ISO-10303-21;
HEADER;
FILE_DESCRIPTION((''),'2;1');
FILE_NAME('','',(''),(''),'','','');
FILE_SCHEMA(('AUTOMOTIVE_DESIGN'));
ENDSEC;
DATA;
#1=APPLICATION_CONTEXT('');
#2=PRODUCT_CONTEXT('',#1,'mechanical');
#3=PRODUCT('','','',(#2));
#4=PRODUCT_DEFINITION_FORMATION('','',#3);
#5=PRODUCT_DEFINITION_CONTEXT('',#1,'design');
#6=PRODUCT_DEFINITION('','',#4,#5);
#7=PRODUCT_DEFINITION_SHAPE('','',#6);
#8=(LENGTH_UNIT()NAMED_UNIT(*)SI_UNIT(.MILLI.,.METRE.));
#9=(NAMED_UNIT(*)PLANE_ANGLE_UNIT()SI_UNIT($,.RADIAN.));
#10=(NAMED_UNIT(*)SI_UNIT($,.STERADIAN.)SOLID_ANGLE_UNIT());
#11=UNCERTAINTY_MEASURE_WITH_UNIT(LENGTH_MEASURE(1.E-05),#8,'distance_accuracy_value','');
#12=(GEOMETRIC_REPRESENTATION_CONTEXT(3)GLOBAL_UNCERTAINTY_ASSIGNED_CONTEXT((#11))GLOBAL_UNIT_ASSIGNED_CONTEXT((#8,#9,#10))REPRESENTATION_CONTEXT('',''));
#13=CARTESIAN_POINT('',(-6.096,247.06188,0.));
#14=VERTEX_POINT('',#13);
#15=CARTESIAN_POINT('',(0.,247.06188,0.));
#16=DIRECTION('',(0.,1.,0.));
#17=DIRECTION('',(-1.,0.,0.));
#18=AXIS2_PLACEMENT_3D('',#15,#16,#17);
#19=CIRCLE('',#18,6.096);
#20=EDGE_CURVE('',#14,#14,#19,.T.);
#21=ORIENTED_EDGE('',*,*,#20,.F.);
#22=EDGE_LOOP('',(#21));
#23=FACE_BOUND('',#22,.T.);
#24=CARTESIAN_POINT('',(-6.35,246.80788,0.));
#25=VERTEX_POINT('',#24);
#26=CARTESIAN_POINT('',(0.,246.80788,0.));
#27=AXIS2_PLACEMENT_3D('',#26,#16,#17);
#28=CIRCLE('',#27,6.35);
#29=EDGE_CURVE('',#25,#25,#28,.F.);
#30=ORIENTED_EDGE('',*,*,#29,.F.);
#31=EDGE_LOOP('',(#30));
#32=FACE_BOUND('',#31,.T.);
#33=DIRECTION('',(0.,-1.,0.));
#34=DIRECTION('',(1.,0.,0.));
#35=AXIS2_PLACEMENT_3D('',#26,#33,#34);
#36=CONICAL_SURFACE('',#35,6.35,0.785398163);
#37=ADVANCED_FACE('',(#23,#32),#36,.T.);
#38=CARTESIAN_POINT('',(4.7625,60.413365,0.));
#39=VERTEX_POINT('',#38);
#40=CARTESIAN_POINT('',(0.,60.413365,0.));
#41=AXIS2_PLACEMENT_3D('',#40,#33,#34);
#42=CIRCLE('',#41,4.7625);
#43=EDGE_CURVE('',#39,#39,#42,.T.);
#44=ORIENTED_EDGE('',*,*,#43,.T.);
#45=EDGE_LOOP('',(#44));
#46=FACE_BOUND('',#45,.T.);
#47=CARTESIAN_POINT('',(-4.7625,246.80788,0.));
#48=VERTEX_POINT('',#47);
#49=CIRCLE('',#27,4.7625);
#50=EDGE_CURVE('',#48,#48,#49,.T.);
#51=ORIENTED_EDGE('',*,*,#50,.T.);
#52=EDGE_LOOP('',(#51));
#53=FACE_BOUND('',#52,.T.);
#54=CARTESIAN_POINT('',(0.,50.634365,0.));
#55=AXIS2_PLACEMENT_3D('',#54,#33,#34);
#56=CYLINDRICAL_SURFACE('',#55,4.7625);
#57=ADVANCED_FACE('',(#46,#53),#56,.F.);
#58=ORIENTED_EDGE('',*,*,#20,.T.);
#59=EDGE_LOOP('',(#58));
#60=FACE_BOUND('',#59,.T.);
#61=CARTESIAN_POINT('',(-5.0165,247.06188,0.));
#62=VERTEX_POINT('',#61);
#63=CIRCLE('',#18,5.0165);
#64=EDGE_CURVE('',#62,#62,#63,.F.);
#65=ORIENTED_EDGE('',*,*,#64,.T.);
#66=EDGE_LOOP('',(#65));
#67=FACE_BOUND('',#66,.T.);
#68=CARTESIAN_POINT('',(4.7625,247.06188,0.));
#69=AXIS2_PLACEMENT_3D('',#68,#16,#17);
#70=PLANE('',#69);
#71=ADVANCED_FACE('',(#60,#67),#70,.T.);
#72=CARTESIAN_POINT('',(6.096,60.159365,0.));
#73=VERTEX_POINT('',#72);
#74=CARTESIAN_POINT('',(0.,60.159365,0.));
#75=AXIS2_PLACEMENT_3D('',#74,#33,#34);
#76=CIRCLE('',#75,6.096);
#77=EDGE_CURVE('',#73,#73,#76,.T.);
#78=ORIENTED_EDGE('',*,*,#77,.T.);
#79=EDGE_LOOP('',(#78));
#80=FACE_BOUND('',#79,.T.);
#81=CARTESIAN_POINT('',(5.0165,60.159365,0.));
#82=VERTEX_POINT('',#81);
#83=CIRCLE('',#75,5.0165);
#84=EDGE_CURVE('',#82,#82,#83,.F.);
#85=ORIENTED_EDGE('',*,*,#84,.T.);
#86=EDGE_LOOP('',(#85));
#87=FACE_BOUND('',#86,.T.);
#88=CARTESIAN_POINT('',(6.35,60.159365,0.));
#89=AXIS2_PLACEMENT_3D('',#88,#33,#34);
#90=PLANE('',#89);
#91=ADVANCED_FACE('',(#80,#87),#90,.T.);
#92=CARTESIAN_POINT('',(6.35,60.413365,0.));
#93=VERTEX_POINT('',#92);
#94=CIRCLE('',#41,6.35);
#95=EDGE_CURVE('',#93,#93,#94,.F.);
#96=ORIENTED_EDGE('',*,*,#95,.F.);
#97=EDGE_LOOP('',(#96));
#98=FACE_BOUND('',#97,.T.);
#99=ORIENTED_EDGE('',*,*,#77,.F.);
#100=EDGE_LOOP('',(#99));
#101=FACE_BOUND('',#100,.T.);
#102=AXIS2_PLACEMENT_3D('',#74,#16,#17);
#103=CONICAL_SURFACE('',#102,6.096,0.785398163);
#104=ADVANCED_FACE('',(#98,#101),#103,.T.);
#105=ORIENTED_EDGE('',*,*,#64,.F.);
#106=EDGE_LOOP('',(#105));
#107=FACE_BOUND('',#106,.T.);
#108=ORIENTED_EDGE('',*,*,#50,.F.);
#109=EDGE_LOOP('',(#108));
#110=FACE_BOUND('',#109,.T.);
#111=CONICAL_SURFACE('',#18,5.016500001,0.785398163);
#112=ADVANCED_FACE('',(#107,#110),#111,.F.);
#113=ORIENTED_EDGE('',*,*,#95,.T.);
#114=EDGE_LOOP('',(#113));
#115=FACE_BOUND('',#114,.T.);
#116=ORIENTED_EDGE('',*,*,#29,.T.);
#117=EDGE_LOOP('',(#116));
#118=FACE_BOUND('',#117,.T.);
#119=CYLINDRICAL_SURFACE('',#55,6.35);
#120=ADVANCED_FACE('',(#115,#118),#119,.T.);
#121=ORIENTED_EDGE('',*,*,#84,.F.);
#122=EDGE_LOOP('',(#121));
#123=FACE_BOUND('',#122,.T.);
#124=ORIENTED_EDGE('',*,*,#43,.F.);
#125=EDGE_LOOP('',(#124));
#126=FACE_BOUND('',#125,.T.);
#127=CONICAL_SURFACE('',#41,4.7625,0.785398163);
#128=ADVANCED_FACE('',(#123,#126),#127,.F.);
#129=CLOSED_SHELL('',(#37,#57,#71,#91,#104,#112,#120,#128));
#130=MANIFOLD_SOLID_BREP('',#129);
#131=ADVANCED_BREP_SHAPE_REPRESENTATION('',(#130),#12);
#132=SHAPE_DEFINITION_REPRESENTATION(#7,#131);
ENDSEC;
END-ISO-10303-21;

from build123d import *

# Parameters (mm, degrees)
SKETCH1_W     = 1.5875
SKETCH1_H     = 186.902515209
CHAMFER1_SIZE = 0.254


with BuildPart() as part:
    # Sketch1 → Revolve1 (revolve)
    with BuildSketch(Plane.XY):
        with Locations((5.55625, 153.610622799)):
            Rectangle(SKETCH1_W, SKETCH1_H)
    revolve(axis=Axis((0, 50.634365194, 0), (0, 1, 0)))

    # Chamfer1
    chamfer1_edges = [part.edges().sort_by_distance(p)[0] for p in [
        (-6.35, 60.159365194, 0),
        (-6.350000001, 247.061880403, 0),
        (-4.762500001, 247.061880403, 0),
        (-4.7625, 60.159365194, 0),
    ]]
    chamfer(chamfer1_edges, length=CHAMFER1_SIZE)


solid = part.part
